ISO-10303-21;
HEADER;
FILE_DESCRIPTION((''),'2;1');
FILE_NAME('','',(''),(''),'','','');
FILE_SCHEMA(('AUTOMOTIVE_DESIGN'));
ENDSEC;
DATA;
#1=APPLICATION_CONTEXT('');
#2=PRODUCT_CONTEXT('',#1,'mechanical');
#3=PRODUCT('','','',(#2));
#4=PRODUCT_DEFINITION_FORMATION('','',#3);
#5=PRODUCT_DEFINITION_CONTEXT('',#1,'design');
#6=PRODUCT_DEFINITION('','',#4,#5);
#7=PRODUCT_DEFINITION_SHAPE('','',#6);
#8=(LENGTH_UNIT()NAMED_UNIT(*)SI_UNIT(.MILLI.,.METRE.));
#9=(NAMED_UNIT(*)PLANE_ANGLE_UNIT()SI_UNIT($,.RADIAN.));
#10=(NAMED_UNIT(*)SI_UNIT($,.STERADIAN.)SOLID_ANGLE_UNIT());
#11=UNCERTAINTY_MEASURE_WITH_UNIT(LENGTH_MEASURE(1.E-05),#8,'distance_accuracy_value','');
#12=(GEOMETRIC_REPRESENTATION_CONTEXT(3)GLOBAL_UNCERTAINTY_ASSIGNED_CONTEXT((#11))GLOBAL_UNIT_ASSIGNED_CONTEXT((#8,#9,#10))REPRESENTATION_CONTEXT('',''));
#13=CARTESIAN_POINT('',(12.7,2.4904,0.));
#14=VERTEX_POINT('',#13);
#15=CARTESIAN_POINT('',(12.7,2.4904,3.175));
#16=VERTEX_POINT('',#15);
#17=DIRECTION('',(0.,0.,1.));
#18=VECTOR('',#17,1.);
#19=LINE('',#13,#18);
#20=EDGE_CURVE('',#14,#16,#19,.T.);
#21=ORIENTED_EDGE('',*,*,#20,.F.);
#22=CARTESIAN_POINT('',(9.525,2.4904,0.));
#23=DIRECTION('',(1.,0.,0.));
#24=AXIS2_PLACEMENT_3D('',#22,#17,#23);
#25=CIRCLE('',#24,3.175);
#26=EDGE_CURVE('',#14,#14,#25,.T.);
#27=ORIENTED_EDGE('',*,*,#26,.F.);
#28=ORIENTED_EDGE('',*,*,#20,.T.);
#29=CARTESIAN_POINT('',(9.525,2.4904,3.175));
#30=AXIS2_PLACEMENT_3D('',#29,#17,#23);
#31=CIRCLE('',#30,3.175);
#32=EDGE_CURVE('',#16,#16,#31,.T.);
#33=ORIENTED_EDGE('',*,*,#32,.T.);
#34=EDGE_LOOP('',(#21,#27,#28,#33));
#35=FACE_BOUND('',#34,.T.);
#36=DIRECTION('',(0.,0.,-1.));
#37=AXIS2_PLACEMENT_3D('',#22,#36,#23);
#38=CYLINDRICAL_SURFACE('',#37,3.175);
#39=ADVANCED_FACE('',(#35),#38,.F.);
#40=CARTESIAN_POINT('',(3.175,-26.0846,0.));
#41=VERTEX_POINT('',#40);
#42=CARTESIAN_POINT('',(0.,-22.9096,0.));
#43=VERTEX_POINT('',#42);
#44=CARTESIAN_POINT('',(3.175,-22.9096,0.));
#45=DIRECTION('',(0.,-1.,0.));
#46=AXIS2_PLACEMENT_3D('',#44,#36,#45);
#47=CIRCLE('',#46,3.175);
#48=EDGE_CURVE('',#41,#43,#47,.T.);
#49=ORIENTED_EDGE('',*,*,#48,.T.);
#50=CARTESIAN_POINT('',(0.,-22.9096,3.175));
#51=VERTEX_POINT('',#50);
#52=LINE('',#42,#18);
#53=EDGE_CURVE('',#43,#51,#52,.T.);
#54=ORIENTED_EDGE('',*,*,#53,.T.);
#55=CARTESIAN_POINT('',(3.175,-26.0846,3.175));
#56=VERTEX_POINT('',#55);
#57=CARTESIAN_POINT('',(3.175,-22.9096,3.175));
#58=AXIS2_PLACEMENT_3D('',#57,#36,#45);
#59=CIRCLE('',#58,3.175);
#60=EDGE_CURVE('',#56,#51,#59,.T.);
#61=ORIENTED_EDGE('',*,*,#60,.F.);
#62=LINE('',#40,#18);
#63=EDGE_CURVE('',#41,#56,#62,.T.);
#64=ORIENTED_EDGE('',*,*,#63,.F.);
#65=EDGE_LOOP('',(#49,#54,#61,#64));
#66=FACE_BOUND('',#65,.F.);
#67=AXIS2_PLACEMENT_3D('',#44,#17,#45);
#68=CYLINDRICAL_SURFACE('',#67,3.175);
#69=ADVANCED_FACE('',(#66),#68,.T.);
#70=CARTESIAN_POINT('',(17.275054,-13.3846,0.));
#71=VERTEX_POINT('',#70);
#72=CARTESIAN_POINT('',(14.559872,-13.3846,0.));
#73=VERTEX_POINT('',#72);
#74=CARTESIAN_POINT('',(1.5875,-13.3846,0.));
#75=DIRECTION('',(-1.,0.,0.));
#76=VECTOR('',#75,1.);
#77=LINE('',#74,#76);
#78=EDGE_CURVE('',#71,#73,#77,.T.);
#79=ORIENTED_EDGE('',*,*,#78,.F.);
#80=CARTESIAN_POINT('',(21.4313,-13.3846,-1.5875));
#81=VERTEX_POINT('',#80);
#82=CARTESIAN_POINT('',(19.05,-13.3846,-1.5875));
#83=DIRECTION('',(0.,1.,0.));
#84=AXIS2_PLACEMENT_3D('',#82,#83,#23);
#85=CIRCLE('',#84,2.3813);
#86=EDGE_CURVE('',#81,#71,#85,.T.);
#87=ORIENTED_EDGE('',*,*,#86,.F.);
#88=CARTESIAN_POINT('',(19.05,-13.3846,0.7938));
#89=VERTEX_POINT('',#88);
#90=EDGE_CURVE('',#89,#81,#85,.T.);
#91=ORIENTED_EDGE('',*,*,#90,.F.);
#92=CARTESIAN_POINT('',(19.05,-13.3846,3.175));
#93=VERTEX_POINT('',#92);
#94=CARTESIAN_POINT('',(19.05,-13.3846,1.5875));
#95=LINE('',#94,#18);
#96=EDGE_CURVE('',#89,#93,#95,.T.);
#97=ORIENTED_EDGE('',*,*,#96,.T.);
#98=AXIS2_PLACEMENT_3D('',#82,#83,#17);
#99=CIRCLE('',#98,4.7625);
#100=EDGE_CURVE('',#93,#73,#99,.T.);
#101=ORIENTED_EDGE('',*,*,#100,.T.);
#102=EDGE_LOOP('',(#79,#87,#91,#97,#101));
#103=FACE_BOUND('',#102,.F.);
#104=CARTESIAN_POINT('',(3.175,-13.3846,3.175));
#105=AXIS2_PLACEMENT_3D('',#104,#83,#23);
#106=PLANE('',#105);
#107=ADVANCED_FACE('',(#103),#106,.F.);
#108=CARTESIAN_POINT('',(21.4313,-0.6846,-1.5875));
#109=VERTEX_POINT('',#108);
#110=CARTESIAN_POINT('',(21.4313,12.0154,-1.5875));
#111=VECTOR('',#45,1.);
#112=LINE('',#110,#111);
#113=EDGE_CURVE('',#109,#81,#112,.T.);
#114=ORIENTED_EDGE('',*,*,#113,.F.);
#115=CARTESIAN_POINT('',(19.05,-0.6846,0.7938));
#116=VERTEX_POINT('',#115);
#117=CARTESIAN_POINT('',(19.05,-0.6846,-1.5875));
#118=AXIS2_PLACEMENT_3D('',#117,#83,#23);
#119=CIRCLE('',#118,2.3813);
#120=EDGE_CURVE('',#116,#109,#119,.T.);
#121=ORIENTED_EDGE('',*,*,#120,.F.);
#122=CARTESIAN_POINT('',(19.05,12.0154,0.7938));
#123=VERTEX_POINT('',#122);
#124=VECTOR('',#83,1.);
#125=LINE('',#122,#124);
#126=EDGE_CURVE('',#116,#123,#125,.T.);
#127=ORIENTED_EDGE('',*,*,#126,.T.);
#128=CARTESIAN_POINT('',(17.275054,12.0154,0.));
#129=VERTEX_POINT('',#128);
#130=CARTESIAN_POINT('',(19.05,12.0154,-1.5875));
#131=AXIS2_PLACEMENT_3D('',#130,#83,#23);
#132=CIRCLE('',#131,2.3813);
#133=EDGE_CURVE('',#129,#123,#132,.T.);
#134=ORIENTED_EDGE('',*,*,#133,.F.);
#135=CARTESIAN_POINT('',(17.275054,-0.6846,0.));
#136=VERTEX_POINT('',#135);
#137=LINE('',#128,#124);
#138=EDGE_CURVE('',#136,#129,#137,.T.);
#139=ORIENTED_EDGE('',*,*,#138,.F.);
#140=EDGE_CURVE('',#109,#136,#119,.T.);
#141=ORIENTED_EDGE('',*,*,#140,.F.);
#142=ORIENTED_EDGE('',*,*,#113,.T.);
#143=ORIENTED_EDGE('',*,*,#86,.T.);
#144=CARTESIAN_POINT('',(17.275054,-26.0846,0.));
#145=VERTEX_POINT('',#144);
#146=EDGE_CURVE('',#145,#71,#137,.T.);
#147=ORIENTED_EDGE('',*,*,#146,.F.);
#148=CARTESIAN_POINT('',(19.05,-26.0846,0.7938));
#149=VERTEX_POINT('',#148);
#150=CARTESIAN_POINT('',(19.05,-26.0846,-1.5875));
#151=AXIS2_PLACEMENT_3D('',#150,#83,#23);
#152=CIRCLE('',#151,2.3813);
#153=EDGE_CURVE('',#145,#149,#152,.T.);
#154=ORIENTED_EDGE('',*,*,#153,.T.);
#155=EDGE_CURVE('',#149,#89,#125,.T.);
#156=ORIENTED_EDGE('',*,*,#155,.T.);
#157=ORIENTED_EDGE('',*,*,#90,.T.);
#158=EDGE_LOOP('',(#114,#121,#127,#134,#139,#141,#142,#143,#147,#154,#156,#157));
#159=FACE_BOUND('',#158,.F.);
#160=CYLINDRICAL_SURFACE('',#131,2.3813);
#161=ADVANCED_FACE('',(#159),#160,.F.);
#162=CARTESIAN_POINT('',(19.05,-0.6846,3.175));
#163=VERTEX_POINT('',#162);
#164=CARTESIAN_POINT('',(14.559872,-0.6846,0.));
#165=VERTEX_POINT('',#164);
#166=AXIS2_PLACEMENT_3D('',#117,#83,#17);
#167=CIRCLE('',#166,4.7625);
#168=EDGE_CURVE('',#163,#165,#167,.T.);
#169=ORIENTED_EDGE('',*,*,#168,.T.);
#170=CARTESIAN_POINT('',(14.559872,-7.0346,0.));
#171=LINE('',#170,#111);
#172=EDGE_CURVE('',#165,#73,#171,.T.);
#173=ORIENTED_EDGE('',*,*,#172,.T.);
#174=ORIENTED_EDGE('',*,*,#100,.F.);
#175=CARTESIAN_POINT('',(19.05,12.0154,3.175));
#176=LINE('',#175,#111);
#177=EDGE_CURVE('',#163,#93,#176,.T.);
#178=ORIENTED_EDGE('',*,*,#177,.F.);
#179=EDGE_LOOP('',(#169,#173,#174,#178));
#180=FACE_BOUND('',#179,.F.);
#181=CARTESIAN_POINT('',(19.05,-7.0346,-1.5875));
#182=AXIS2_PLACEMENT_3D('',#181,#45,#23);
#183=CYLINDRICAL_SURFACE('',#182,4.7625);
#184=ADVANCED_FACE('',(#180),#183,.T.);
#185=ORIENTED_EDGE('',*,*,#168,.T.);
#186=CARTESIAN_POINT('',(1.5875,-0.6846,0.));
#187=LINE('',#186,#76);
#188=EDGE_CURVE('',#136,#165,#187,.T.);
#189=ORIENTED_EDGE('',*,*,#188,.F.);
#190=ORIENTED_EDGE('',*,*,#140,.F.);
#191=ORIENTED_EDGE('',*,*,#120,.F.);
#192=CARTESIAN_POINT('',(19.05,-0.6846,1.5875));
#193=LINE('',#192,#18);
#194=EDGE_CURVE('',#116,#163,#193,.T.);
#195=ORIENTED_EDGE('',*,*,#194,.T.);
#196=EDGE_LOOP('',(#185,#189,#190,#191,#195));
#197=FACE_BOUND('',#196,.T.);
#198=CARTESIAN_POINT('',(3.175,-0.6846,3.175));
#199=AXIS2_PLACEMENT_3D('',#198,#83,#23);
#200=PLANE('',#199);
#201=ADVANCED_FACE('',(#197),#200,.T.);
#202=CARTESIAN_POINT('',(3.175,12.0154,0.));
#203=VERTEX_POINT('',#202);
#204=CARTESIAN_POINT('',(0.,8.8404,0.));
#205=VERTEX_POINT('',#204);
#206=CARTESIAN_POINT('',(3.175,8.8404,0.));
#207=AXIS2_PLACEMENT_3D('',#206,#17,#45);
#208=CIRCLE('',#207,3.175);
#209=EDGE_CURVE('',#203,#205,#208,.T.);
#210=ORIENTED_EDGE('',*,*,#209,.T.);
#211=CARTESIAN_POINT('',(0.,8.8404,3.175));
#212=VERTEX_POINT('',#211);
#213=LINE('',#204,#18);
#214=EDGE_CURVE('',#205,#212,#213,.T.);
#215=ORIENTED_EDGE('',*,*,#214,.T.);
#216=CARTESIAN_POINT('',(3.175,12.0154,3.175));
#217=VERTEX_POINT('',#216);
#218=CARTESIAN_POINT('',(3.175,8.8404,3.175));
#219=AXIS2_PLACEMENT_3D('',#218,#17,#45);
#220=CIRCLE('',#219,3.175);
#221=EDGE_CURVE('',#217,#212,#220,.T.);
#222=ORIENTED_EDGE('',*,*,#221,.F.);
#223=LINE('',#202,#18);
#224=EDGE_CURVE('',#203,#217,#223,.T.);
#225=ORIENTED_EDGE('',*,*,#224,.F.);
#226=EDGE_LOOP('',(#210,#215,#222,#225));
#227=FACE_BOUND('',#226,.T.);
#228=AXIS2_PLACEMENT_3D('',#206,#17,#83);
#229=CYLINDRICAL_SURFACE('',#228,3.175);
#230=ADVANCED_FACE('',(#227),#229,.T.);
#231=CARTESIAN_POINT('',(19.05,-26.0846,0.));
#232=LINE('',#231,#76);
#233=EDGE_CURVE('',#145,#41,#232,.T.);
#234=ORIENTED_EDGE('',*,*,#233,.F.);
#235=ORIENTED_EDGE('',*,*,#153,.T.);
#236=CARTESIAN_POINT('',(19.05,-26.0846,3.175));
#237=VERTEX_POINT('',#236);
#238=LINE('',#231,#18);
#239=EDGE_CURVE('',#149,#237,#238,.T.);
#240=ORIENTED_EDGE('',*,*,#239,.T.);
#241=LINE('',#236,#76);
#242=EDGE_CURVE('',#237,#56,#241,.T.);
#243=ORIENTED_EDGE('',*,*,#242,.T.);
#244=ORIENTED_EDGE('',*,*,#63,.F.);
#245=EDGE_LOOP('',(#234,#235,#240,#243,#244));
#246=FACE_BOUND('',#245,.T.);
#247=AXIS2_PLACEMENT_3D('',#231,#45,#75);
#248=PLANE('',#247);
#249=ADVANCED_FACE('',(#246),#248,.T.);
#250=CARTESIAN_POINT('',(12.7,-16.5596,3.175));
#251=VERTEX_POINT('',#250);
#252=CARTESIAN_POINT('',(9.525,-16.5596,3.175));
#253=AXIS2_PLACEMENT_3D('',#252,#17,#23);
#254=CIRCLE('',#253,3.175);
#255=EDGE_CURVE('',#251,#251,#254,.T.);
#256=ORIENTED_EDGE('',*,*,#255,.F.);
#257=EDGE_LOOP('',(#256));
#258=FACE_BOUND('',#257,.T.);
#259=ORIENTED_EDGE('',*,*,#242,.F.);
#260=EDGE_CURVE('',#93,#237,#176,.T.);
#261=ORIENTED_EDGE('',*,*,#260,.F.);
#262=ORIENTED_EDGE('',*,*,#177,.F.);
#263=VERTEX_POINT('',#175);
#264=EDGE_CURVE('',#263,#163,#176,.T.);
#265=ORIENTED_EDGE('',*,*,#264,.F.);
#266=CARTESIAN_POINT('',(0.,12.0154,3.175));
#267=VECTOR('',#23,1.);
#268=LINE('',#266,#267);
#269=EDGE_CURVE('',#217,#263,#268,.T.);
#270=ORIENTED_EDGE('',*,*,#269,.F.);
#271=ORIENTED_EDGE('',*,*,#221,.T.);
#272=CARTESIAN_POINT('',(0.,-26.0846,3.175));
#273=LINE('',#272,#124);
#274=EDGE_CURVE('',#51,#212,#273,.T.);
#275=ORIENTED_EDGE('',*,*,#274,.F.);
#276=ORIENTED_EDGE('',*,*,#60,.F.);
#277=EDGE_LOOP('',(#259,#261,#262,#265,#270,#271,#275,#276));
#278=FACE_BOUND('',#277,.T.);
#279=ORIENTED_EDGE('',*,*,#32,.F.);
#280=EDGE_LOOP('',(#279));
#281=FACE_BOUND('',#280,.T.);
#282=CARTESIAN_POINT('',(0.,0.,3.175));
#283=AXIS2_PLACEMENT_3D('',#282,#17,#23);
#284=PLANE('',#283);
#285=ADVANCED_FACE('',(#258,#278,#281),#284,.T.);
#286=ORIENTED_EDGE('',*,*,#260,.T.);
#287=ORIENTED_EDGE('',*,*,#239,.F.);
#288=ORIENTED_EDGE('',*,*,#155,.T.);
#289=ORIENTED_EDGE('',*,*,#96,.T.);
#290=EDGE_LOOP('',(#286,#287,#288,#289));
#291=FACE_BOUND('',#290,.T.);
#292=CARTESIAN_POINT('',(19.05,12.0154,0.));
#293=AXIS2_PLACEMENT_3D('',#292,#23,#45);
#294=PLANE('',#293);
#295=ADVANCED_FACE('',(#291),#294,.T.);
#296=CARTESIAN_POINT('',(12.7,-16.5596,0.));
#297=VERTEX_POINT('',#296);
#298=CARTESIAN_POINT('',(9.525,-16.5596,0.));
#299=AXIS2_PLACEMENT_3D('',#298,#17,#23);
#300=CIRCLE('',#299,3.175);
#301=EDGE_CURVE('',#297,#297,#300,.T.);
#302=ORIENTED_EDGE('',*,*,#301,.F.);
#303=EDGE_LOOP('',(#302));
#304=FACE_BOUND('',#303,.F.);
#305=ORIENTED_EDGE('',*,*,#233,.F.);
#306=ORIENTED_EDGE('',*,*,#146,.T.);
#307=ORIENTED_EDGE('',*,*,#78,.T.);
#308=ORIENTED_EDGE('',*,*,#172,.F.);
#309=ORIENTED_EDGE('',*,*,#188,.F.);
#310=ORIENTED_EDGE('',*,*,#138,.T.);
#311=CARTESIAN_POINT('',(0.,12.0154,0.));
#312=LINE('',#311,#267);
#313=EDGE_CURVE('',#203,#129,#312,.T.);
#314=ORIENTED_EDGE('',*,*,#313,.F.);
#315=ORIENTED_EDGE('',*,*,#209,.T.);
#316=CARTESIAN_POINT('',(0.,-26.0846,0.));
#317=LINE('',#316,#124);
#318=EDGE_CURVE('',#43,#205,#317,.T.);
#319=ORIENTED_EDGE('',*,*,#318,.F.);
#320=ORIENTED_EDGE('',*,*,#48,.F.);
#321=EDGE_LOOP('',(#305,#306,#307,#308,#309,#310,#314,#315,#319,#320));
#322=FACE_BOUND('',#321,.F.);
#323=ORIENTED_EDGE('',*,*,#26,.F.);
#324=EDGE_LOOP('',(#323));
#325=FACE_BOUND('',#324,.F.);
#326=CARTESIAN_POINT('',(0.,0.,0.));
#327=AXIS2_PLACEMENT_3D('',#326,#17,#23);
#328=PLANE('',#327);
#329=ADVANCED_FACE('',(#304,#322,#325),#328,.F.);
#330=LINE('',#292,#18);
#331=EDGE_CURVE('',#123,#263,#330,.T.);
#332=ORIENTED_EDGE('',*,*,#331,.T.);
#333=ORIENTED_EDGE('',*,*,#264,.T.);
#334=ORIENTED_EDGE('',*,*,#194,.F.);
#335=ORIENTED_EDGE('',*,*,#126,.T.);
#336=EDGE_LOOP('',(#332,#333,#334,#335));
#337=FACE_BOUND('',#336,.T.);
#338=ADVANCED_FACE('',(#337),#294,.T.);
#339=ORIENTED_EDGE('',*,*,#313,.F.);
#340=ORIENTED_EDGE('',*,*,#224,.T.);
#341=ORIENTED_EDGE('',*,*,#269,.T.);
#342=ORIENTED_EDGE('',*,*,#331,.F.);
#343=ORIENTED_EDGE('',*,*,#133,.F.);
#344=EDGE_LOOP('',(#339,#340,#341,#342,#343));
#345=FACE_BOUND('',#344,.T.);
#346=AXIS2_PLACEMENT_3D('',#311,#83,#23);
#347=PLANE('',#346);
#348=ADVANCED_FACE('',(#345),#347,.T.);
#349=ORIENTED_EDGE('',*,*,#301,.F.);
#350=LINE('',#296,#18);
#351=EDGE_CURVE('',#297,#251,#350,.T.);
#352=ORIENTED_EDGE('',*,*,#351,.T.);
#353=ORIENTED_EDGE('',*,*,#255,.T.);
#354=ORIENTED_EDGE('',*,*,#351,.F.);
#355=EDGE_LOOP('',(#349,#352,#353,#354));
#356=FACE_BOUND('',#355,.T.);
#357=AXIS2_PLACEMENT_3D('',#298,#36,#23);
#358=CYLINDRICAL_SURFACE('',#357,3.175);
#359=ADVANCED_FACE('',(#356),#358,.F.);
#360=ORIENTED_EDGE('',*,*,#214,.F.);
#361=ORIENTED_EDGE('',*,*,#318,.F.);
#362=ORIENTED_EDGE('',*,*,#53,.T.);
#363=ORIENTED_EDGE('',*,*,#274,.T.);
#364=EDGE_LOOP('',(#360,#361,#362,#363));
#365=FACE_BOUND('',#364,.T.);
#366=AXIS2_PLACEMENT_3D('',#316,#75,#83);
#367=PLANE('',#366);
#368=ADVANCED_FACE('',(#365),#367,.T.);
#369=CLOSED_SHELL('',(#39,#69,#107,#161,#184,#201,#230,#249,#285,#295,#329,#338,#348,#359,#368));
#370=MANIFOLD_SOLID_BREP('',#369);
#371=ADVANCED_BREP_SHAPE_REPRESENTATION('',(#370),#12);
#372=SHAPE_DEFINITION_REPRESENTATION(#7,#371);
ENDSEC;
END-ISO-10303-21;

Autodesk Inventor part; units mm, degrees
ref_plane "YZ Plane" through (0, 0, 0) normal (1, 0, 0) x (0, 1, 0)
ref_plane "XZ Plane" through (0, 0, 0) normal (0, 1, 0) x (-1, 0, 0)
sketch "Sketch1" plane through (0, 0, 0) normal (0, 0, 1) x (1, 0, 0)
  line L0 (0, 12.0154) -> (19.05, 12.0154)
  line L1 (19.05, 12.0154) -> (19.05, -26.0846)
  line L2 (19.05, -26.0846) -> (0, -26.0846)
  line L3 (0, -26.0846) -> (0, 12.0154)
  circle A0 centre (9.525, 2.4904) radius 3.175
  circle A1 centre (9.525, -16.5596) radius 3.175
  point P0 (0, 0)
  dimension "d0" = 19.05
  dimension "d1" = 38.1
  dimension "d2" = 6.35
  dimension "d3" = 6.35
  dimension "d4" = 19.05
  dimension "d5" = 9.525
  dimension "d6" = 9.525
extrude "Extrusion1" add sketch "Sketch1" along normal blind 3.175
fillet "Fillet1" radius 3.175 2 edges at (0, 12.0154, 1.5875) (0, -26.0846, 1.5875)
ref_plane "Work Plane1" through (3.175, -7.0346, 3.175) normal (0, 1, 0) x (1, 0, 0)
sketch "Sketch3" plane through (3.175, -7.0346, 3.175) normal (0, 1, 0) x (1, 0, 0)
  circle A0 centre (15.875, 4.7625) radius 4.7625
  line L0 (0, 3.175) -> (15.875, 3.175) projected
  line L1 (15.875, 0) -> (0, 0) projected
  point P0 (-3.175, 3.175)
  dimension "d21" = 9.525
extrude "Extrusion4" add sketch "Sketch3" along normal mid plane 12.7
sketch "Sketch6" plane through (19.05, 12.0154, 3.175) normal (0, 1, 0) x (1, 0, 0)
  circle A0 centre (0, 4.7625) radius 2.3813
  arc A1 (0, 0) -> (-4.4901, 3.175) centre (0, 4.7625) ccw projected
  point P0 (-19.05, 3.175)
  point P1 (-4.4901, 0)
  point P2 (0, 3.175)
  dimension "d18" = 4.7625
extrude "Extrusion5" cut sketch "Sketch6" against normal blind 38.1
sketch "Sketch8" plane through (0, 0, 0) normal (0, 1, 0) x (-1, 0, 0)
  arc A0 (-19.05, 0.7937) -> (-17.2751, 0) centre (-19.05, -1.5875) ccw projected
  line L0 (-14.5599, 0) -> (-17.2751, 0) projected
  arc A1 (-19.05, 3.175) -> (-14.5599, 0) centre (-19.05, -1.5875) ccw projected
  line L1 (-19.05, 0.7937) -> (-19.05, 3.175) projected
  line L2 (-3.175, 3.175) -> (0, 3.175) projected
  line L3 (0, 3.175) -> (0, 0) projected
  line L4 (0, 0) -> (-3.175, 0) projected
  line L5 (-3.175, 0) -> (-3.175, 3.175) projected
  line L6 (0, 0) -> (-14.2875, 0)
  line L7 (-14.2875, 0) -> (-14.2875, -6.4324)
  line L8 (-14.2875, -6.4324) -> (0, -6.4324)
  line L9 (0, -6.4324) -> (0, 0)
  dimension "d22" = 14.2875
equation "\"d3\" = d2"
equation "\"d4\" = 0.5 * d1"
equation "\"d5\" = 0.25 * d1"
equation "\"d6\" = 0.5 * d0"
properties part number "hinge right" material "Brass, Soft Yellow"
